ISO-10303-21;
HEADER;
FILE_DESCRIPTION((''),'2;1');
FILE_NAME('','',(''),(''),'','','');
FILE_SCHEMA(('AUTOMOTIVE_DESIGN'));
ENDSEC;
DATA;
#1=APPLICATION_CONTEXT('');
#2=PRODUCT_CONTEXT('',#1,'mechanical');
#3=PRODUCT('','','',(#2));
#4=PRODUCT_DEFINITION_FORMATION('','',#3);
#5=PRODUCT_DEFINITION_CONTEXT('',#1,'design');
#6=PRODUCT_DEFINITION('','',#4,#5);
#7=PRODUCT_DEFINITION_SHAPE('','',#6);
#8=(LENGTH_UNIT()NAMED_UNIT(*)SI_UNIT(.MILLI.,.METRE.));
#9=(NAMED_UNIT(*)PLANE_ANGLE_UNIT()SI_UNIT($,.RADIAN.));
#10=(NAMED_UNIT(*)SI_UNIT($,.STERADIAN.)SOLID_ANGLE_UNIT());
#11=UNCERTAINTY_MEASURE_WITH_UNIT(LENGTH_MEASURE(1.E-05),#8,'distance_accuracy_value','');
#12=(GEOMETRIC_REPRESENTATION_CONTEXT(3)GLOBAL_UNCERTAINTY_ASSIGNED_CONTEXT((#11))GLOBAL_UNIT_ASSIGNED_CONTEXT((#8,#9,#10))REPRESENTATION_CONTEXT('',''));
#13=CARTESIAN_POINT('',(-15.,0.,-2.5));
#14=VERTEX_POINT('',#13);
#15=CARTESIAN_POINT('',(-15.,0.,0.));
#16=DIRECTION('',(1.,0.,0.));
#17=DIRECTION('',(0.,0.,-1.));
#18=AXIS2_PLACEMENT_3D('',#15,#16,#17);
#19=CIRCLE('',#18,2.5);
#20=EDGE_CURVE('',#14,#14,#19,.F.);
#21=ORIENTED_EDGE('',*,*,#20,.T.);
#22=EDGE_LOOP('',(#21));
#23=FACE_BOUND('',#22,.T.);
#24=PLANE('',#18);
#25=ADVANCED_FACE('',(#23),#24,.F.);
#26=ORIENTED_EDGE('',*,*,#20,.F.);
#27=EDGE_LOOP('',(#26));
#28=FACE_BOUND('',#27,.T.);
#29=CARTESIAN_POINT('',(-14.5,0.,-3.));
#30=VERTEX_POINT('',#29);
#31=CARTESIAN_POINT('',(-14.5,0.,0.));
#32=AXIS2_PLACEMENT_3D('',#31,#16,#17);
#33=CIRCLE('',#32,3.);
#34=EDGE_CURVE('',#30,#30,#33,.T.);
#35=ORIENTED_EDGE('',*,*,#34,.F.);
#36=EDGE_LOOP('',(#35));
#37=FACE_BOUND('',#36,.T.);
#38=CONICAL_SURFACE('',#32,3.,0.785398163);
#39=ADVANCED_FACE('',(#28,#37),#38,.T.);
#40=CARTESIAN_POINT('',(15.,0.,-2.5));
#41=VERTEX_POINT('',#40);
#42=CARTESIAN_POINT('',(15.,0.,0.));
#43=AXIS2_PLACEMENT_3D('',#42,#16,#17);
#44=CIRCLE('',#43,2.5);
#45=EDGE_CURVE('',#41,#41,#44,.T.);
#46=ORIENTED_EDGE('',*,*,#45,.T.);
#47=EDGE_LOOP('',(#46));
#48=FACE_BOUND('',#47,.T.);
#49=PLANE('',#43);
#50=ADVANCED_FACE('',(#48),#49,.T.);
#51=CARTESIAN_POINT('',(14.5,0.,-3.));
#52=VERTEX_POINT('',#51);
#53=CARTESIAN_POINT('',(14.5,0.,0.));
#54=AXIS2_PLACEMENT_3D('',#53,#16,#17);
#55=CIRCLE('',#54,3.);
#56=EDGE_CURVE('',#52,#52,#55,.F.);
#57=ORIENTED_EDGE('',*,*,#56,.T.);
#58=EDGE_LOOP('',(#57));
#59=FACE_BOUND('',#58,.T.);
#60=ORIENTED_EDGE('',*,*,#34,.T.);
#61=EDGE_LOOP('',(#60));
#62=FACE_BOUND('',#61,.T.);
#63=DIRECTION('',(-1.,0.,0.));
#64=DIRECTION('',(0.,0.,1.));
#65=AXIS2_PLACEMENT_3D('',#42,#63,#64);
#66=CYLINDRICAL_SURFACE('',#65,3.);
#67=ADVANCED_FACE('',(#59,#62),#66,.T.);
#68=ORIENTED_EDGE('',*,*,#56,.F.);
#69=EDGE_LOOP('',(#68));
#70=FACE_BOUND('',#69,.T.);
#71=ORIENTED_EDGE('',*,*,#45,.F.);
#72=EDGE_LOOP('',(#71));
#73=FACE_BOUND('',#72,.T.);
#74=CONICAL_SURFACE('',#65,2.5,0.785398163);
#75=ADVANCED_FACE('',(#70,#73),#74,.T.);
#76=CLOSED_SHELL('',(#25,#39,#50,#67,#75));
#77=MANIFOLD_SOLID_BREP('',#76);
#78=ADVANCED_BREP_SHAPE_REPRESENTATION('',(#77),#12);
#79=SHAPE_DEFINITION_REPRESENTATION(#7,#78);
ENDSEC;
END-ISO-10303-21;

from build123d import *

# Parameters (mm, degrees)
SKETCH_1_R      = 3
EXTRUDE_1_DEPTH = 15
CHAMFER_1_SIZE  = 0.5


with BuildPart() as part:
    # Эскиз1 → Бобышка-Вытянуть1 (new, symmetric)
    with BuildSketch(Plane(origin=(0, 0, 0), x_dir=(0, 0, -1), z_dir=(1, 0, 0))):
        Circle(SKETCH_1_R)
    extrude(amount=EXTRUDE_1_DEPTH, both=True)

    # Фаска1
    chamfer_1_edges = [part.edges().sort_by_distance(p)[0] for p in [
        (-15, 0, 3),
        (15, 0, 3),
    ]]
    chamfer(chamfer_1_edges, length=CHAMFER_1_SIZE)


solid = part.part
